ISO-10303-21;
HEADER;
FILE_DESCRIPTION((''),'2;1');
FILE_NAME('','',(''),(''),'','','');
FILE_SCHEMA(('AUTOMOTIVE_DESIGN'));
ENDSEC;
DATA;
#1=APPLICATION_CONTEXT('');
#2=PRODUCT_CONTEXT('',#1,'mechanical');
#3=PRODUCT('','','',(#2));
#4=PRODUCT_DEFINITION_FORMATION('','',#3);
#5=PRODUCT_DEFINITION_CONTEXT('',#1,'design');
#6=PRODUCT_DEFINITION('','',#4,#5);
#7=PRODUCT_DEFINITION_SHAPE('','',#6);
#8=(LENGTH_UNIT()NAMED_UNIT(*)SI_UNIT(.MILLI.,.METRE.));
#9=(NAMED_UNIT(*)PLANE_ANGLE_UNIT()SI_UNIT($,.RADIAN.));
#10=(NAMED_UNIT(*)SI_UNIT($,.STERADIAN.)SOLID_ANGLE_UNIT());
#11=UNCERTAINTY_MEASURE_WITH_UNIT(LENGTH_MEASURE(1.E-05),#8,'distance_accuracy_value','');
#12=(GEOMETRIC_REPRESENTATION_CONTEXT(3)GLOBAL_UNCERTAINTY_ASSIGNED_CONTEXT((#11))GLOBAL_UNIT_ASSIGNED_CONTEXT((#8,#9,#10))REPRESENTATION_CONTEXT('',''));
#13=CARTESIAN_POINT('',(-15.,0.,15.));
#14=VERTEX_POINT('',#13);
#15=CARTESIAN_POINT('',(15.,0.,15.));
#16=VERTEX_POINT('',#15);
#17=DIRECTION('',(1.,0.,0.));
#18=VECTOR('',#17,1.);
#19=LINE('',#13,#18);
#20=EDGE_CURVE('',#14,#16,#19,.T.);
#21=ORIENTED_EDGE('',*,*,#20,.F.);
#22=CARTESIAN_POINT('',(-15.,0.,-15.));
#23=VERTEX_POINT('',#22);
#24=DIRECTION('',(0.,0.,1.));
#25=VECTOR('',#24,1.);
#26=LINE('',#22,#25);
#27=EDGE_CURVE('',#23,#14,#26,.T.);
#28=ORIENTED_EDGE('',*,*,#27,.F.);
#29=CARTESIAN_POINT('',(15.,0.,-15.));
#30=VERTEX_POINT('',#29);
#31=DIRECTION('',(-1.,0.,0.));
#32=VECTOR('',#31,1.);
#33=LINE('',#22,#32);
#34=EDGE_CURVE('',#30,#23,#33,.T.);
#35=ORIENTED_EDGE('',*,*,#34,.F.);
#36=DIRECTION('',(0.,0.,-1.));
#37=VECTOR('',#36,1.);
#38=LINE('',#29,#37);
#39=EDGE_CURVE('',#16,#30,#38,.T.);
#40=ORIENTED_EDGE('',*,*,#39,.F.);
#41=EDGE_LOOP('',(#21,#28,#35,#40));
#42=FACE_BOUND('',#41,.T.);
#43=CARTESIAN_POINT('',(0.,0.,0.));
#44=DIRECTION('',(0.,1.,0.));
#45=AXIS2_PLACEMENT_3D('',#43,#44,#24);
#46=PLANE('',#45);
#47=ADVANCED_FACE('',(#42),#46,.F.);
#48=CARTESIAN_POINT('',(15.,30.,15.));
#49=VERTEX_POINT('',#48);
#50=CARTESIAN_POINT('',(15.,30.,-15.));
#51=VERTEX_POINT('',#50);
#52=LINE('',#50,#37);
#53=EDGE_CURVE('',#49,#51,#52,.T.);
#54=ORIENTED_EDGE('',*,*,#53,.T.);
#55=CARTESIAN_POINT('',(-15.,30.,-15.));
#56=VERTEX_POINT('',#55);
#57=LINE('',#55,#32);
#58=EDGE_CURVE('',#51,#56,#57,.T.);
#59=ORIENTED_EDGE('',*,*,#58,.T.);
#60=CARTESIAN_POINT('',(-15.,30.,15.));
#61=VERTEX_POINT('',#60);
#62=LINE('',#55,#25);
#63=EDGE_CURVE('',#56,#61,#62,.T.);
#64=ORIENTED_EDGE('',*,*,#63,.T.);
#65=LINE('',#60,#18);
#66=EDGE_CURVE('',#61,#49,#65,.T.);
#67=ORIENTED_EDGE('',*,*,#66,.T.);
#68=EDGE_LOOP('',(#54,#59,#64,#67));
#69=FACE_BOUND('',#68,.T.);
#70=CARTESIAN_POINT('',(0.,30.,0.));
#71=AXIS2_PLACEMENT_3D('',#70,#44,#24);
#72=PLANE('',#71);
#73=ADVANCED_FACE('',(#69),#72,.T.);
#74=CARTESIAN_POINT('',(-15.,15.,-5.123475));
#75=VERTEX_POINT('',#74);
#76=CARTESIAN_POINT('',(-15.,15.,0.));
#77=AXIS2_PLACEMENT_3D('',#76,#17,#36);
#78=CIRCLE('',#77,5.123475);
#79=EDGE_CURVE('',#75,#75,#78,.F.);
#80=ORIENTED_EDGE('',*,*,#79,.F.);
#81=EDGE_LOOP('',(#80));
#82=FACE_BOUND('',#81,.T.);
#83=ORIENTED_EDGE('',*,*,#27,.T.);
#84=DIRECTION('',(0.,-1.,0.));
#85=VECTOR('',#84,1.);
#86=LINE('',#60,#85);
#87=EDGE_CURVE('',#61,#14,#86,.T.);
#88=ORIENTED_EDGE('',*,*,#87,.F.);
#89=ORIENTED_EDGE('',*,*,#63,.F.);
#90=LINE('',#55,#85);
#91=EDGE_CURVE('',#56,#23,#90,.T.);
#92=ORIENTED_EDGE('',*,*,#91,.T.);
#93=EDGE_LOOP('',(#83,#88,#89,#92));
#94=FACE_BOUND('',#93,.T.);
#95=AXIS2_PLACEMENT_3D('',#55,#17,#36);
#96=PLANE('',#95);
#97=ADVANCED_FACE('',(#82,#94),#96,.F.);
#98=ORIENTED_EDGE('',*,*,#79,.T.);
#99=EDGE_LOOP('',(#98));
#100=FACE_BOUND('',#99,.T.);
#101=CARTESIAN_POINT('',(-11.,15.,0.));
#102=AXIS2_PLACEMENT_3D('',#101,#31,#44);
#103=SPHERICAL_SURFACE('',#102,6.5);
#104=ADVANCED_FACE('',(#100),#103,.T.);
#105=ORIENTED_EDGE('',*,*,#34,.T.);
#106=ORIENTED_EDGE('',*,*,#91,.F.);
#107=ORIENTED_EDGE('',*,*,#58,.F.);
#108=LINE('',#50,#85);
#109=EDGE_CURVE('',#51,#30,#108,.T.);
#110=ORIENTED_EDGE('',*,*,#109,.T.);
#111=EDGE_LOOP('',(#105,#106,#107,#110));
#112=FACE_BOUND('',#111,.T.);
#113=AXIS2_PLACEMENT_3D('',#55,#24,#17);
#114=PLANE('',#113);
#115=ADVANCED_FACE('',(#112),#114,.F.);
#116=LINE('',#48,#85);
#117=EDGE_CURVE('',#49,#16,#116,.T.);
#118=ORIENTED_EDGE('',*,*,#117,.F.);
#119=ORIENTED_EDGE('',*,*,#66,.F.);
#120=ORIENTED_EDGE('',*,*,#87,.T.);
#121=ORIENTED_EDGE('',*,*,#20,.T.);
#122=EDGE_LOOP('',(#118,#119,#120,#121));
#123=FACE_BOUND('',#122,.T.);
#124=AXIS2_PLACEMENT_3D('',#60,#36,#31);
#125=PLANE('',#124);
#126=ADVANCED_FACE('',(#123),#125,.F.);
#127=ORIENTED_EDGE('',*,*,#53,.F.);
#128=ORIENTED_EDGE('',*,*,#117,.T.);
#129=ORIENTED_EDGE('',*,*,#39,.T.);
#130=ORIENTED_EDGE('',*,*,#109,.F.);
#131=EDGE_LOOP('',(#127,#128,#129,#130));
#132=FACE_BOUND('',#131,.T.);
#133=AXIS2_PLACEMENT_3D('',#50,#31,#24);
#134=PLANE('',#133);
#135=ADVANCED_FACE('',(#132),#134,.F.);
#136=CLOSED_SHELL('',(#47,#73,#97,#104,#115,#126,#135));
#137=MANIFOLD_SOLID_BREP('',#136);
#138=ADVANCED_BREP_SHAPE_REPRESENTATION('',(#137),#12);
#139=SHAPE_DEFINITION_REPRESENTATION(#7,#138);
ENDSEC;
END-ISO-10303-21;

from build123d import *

# Parameters (mm, degrees)
SKETCH_1_W      = 30
SKETCH_1_H      = 30
EXTRUDE_1_DEPTH = 30


with BuildPart() as part:
    # 스케치1 → 보스-돌출1 (new body)
    with BuildSketch(Plane(origin=(0, 0, 0), x_dir=(1, 0, 0), z_dir=(0, 1, 0))):
        Rectangle(SKETCH_1_W, SKETCH_1_H)
    extrude(amount=EXTRUDE_1_DEPTH)

    # 스케치2 → 회전1 (revolve)
    with BuildSketch(Plane.XY):
        with BuildLine():
            Line((-17.5, 15), (-4.5, 15))
            ThreePointArc((-4.5, 15), (-11, 21.5), (-17.5, 15))
        make_face()
    revolve(axis=Axis((-17.5, 15, 0), (1, 0, 0)))


solid = part.part
